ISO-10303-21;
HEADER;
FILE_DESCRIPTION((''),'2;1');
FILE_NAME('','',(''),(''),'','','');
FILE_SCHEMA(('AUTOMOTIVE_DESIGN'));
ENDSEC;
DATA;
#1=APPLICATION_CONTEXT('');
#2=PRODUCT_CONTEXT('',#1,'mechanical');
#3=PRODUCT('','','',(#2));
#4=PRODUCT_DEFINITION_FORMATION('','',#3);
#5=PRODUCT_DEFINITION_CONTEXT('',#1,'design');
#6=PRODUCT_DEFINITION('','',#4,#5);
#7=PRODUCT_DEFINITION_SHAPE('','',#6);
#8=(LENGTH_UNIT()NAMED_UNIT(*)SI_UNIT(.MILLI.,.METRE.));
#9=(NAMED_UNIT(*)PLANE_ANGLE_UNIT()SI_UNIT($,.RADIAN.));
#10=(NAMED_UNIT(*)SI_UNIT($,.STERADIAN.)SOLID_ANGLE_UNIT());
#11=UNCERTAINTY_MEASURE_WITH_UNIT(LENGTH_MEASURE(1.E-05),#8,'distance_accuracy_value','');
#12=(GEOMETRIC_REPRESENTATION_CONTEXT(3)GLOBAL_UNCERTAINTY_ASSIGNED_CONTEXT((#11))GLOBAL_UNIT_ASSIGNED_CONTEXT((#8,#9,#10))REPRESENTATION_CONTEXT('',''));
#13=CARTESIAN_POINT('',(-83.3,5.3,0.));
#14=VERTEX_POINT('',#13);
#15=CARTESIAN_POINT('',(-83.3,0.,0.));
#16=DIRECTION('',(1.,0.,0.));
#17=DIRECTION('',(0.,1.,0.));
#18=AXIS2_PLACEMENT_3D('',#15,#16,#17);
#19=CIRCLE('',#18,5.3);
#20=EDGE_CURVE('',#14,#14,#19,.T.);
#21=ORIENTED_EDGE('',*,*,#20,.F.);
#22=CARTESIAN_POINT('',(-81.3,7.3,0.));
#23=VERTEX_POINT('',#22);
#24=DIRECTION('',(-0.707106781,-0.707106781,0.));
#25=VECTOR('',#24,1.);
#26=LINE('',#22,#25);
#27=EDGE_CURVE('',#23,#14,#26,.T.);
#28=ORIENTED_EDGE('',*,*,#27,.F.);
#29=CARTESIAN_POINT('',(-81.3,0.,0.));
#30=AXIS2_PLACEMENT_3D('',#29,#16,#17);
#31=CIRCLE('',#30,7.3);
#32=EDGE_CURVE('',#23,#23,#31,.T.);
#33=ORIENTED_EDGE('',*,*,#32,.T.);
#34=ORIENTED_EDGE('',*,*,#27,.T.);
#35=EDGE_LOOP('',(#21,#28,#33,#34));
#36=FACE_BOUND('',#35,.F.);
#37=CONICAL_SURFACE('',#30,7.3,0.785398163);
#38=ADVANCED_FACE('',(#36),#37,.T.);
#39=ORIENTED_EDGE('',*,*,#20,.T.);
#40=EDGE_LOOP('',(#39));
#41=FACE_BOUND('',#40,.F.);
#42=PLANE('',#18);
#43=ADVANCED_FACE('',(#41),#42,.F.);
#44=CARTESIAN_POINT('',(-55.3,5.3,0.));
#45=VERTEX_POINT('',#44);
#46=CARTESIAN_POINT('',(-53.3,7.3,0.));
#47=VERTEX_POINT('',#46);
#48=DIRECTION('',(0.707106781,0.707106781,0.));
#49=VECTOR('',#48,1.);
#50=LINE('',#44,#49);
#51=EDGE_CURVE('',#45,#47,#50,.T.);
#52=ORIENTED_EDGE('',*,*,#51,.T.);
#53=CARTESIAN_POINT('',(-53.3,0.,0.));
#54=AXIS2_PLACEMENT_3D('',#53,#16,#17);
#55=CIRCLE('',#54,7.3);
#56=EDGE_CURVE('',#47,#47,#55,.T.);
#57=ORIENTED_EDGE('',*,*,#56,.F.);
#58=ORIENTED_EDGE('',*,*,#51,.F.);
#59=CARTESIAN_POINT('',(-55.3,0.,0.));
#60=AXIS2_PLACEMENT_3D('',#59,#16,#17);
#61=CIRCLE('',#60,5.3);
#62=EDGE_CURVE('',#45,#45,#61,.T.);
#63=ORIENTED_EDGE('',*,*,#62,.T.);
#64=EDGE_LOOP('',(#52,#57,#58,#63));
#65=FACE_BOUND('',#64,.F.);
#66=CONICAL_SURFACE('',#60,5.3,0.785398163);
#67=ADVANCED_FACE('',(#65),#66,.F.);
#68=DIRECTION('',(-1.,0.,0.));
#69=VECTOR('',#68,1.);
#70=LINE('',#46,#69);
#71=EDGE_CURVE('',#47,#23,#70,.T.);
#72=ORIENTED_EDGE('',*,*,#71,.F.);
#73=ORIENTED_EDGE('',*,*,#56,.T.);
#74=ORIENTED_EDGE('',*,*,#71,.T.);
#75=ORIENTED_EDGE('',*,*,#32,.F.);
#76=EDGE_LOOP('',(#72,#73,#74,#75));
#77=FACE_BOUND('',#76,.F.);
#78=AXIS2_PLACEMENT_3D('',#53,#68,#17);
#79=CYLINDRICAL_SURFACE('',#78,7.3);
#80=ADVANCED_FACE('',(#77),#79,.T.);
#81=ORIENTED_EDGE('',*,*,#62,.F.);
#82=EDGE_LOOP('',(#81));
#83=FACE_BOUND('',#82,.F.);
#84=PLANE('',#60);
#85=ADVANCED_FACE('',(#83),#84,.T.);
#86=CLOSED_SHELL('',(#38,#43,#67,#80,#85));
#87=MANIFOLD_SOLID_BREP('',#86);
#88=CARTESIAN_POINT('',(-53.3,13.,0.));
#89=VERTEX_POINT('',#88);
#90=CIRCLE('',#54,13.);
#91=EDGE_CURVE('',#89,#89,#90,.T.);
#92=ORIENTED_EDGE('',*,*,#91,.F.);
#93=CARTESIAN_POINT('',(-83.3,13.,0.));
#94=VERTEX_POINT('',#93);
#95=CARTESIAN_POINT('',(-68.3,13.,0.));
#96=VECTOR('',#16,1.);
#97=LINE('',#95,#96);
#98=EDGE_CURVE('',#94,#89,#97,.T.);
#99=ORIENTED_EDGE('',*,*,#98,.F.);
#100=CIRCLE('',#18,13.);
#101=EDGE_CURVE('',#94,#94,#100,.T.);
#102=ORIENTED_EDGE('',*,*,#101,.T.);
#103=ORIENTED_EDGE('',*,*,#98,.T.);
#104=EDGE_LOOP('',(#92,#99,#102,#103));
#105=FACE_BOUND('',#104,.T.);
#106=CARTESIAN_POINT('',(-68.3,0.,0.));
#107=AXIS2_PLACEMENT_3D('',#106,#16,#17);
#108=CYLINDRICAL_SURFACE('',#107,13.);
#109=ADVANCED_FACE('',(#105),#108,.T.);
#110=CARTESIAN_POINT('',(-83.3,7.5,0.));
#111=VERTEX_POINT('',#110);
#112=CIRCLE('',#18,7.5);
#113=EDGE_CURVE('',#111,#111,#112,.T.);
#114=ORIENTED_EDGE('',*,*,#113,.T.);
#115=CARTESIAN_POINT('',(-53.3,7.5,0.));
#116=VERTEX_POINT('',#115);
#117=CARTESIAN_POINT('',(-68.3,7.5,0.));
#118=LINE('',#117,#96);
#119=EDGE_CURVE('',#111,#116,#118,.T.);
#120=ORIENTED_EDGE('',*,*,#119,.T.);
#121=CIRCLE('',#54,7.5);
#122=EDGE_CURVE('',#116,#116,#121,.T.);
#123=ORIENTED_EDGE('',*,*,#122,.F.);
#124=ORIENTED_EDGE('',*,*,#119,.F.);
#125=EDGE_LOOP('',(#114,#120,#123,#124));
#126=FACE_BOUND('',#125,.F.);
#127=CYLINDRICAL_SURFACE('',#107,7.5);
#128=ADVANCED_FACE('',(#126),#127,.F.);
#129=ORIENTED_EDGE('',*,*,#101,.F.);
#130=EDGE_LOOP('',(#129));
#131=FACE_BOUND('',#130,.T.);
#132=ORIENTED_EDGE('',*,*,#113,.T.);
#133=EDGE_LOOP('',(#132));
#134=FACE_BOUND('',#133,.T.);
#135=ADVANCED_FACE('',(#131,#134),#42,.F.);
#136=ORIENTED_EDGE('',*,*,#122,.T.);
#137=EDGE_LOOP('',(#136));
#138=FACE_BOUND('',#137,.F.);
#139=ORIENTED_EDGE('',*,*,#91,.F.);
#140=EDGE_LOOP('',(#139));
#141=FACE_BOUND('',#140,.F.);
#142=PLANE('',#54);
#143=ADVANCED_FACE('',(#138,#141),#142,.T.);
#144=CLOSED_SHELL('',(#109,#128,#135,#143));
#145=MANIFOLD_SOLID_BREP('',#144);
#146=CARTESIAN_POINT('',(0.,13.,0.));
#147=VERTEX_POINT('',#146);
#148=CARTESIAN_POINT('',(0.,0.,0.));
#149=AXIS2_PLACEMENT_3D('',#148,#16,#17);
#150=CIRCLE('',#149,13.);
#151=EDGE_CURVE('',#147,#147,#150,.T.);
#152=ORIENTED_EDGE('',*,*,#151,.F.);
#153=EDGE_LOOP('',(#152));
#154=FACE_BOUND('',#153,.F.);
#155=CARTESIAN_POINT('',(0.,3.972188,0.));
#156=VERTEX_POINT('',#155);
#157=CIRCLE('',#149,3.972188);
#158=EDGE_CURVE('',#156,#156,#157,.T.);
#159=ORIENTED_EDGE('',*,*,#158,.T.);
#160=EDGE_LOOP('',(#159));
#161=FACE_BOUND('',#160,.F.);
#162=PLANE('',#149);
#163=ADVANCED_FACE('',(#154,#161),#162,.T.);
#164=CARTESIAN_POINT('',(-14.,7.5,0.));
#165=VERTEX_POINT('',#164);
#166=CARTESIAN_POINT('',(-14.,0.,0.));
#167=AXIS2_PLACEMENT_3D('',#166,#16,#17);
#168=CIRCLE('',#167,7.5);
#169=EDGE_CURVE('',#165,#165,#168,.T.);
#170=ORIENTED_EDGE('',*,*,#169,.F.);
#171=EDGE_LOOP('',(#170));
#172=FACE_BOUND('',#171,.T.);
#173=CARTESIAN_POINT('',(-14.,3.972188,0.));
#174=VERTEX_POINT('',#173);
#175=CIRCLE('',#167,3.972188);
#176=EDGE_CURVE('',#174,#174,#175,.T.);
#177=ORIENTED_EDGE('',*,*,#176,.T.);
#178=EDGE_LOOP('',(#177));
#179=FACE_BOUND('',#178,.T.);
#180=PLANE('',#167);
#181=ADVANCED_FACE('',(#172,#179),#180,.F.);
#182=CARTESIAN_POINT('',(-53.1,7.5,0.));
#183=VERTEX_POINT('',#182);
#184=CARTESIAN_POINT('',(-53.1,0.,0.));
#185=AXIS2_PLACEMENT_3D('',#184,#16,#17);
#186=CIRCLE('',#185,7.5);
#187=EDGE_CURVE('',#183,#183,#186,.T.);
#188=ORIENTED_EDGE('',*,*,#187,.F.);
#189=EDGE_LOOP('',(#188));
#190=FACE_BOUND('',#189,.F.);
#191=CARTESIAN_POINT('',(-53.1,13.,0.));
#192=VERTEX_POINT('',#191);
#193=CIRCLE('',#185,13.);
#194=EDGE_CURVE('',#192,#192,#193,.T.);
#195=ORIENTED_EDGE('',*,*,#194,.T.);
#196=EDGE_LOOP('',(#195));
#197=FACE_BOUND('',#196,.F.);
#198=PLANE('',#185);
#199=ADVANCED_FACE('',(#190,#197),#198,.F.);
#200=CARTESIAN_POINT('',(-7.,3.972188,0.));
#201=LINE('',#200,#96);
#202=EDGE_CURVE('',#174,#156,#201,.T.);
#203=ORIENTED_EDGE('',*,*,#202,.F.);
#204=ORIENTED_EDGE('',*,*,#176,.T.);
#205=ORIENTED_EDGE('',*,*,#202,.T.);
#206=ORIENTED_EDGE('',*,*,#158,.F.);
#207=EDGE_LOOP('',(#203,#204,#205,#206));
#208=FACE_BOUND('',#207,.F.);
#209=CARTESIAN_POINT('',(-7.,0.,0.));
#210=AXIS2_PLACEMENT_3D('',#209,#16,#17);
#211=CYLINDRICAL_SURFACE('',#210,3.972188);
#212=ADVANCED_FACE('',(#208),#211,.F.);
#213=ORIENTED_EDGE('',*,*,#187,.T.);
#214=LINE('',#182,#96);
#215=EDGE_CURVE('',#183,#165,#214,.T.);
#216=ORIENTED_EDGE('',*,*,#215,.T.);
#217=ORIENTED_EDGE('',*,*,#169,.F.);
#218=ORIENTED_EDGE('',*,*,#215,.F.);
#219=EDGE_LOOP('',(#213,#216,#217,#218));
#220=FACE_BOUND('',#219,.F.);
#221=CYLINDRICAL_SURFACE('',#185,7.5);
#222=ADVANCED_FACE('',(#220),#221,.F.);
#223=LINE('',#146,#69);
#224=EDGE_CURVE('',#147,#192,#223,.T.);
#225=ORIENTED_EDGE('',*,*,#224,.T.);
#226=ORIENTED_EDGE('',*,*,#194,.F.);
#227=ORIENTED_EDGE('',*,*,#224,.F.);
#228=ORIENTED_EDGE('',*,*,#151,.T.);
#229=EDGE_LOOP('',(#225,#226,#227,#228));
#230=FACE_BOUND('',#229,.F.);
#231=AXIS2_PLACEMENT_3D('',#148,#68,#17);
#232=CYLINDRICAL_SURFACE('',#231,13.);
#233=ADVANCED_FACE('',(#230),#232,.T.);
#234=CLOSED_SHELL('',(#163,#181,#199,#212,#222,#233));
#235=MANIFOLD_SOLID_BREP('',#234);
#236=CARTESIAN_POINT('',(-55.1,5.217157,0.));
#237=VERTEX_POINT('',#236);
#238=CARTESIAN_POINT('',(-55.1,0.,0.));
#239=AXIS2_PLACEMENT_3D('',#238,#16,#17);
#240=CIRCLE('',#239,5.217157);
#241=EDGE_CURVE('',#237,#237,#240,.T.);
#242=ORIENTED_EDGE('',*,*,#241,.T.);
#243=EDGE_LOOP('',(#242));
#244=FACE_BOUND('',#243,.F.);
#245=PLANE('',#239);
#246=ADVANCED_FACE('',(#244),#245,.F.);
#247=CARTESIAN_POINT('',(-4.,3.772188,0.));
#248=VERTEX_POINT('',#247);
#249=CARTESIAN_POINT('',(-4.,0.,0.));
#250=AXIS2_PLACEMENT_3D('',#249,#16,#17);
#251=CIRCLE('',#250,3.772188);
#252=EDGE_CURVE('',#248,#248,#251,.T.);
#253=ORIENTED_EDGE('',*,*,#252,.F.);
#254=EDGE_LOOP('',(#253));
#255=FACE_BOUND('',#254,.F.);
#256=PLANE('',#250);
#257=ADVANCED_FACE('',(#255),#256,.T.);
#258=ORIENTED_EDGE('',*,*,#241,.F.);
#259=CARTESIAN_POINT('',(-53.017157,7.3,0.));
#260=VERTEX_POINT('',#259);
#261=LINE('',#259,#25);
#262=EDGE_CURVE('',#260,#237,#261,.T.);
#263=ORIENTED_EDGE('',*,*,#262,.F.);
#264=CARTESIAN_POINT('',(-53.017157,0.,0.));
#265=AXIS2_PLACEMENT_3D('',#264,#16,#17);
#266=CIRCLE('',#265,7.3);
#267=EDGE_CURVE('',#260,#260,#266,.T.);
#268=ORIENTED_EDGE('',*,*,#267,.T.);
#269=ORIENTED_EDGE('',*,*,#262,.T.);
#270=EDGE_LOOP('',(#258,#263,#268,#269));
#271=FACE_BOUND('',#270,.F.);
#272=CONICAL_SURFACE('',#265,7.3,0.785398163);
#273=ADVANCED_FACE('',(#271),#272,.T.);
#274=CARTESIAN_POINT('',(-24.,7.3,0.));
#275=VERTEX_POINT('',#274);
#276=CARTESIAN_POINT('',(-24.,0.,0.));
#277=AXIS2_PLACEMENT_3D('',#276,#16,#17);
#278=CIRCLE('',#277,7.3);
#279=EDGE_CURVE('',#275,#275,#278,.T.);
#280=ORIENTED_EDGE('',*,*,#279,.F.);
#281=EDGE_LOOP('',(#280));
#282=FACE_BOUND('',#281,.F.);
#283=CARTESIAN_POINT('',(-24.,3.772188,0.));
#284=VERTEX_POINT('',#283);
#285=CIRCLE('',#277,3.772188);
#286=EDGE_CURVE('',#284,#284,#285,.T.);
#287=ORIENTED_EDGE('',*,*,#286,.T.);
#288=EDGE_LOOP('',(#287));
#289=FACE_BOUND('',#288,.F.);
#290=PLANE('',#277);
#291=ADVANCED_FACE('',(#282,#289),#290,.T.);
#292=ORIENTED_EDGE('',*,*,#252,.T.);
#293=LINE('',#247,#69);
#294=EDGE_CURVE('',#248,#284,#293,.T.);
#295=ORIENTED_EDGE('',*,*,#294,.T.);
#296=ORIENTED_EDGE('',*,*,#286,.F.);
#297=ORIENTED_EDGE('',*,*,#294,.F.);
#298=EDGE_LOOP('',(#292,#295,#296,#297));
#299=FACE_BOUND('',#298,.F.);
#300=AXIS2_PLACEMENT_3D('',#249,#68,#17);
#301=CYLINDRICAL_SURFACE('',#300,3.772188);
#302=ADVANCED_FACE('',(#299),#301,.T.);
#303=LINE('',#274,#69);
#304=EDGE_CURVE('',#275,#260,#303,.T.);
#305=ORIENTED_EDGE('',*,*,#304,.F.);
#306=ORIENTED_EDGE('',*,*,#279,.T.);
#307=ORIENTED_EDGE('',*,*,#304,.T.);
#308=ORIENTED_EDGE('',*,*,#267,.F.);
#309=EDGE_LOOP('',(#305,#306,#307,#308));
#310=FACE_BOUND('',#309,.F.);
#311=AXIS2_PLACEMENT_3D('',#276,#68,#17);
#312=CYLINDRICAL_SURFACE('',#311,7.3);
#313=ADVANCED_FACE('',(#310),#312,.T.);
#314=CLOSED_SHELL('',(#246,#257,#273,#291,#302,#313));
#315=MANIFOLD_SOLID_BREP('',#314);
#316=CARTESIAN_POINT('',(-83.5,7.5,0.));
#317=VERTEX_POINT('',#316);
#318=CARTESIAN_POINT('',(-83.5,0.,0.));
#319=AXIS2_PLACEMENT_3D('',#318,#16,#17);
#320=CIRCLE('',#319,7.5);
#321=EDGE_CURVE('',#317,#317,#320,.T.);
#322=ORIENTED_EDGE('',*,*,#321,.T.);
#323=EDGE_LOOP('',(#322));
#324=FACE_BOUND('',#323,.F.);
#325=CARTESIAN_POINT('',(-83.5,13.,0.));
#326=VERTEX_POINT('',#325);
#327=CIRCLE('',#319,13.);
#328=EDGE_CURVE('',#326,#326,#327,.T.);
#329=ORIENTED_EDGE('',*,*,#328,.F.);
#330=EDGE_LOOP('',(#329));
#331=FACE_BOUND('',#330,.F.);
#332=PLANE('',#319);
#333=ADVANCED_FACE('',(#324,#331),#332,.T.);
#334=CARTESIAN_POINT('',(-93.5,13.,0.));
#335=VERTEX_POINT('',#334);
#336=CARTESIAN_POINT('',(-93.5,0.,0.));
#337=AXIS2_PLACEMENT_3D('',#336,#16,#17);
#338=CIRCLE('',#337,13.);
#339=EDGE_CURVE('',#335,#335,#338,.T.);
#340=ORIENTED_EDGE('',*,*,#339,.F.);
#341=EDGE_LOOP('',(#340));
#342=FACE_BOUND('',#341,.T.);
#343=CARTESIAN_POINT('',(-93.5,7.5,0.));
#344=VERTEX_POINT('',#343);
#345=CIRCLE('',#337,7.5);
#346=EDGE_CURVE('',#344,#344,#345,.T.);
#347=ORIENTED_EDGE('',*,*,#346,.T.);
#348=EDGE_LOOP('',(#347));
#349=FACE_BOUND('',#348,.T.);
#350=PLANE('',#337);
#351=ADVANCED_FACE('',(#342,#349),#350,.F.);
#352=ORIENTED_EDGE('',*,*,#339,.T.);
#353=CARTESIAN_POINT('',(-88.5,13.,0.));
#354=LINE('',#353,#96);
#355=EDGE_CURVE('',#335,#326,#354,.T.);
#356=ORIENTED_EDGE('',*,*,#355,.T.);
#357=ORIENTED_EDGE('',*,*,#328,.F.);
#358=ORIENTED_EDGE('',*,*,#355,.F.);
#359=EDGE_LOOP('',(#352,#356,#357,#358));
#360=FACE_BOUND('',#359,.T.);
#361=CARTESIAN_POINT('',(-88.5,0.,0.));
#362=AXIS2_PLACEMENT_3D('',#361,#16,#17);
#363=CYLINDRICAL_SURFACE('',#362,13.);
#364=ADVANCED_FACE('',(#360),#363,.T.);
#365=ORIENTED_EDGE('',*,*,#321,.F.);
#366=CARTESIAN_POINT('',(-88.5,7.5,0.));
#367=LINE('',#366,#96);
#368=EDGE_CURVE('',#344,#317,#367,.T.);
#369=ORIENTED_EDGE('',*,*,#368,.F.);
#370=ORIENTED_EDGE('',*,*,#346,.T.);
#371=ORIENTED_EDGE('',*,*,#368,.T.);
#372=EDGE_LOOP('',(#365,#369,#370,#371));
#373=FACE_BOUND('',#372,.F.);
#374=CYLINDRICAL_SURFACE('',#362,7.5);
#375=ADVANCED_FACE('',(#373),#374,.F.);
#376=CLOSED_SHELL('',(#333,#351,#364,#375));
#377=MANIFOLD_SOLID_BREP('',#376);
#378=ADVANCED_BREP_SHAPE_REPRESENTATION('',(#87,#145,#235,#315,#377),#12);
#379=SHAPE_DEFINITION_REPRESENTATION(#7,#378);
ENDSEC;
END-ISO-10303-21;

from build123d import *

# Parameters (mm, degrees)
F0_W   = 10
F0_H   = 5.5
F0_W_2 = 30
F0_W_3 = 14
F0_H_2 = 3.527812


with BuildPart() as f1:
    # F0 (on Top) → F1 (revolve)
    with BuildSketch(Plane.XY):
        with Locations((-88.5, 10.25)):
            Rectangle(F0_W, F0_H)
        with Locations((-68.3, 10.25)):
            Rectangle(F0_W_2, F0_H)
        Polygon((0, 13), (-53.1, 13), (-53.1, 7.5), (-14, 7.5), (0, 7.5), align=None)
        Polygon((-55.3, 5.3), (-53.3, 7.3), (-81.3, 7.3), (-83.3, 5.3), (-83.3, 0), (-55.3, 0), align=None)
        Polygon((-53.3, 0), (-53.3, 7.017157), (-55.1, 5.217157), (-55.1, 0), align=None)
        Polygon((-53.1, 0), (-53.1, 7.217157), (-53.3, 7.017157), (-53.3, 0), align=None)
        Polygon((-53.017157, 7.3), (-53.1, 7.217157), (-53.1, 0), (-4, 0), (-4, 3.772188), (-24, 3.772188), (-24, 7.3), align=None)
        with Locations((-7, 5.736094)):
            Rectangle(F0_W_3, F0_H_2)
    revolve(axis=Axis((-26.55, 0, 0), (1, 0, 0)))


solid = f1.part
